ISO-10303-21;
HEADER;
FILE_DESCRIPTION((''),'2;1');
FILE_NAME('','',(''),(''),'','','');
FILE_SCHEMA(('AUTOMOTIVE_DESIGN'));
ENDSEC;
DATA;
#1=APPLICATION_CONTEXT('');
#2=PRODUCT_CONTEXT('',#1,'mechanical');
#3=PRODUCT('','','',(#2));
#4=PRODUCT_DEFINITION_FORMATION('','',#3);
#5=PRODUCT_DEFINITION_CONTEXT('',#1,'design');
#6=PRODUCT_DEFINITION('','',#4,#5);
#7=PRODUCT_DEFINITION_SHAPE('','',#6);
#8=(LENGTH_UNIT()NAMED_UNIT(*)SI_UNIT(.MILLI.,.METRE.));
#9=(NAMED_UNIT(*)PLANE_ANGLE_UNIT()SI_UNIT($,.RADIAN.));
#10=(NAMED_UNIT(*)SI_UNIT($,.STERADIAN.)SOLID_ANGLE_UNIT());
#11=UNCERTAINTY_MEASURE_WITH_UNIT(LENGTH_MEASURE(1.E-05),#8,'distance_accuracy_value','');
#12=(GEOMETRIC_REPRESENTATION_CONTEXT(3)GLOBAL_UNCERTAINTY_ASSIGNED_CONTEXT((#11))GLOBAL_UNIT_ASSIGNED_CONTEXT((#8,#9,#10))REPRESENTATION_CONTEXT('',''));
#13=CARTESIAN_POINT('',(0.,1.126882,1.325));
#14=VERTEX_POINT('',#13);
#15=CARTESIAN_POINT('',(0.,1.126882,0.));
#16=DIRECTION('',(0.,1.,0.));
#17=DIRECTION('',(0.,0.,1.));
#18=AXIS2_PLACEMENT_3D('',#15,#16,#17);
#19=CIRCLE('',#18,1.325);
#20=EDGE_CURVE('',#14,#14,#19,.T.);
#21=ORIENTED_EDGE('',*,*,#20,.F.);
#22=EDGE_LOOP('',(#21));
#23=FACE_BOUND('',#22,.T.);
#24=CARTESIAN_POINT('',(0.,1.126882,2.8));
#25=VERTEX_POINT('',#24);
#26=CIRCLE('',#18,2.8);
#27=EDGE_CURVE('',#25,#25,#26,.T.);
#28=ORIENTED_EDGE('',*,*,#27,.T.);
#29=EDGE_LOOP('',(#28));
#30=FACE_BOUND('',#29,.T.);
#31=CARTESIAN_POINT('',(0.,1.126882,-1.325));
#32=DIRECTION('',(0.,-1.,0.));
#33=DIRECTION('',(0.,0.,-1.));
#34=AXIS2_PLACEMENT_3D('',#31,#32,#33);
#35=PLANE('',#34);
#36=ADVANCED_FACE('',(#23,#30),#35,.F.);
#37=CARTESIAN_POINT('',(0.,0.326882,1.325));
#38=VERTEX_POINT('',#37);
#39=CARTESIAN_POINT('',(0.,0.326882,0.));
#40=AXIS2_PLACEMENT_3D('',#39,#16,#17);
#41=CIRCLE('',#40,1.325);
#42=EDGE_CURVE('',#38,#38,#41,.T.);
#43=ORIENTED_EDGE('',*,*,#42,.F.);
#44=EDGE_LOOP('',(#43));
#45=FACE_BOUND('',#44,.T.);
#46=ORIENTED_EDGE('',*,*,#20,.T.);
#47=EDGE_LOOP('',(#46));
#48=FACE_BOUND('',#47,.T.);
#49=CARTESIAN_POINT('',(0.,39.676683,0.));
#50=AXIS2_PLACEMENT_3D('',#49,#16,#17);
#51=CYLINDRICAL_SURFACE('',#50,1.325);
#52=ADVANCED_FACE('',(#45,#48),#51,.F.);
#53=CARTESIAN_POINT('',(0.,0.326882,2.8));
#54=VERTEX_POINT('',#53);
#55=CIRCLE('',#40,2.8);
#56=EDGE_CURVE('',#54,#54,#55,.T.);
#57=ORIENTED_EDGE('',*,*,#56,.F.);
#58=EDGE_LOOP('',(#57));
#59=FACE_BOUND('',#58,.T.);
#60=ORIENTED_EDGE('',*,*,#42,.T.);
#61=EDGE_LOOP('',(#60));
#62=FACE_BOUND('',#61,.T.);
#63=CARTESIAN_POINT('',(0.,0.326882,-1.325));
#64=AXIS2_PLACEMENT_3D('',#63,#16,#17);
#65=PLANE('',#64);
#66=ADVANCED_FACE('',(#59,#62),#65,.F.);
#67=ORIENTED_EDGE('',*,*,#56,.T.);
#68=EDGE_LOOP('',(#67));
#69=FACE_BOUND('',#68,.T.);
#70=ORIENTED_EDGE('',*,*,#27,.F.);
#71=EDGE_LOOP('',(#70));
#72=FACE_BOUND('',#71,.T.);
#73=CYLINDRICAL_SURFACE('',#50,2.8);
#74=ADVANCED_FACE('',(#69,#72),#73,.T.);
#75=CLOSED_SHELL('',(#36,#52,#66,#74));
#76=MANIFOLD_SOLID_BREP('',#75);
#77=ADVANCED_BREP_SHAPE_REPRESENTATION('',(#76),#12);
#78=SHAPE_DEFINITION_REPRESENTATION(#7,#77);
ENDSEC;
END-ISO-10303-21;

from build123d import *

# Parameters (mm, degrees)
SKETCH1_W = 1.475
SKETCH1_H = 0.8


with BuildPart() as part:
    # Sketch1 → Revolve2 (revolve)
    with BuildSketch(Plane(origin=(0, 0, 0), x_dir=(0, 0, -1), z_dir=(1, 0, 0)), mode=Mode.PRIVATE) as revolve2_sk:
        with Locations((2.0625, 0.72688172)):
            Rectangle(SKETCH1_W, SKETCH1_H)
    revolve(revolve2_sk.sketch.rotate(Axis((0, 39.676683284, 0), (0, -1, 0)), 180), axis=Axis((0, 39.676683284, 0), (0, -1, 0)))


solid = part.part
